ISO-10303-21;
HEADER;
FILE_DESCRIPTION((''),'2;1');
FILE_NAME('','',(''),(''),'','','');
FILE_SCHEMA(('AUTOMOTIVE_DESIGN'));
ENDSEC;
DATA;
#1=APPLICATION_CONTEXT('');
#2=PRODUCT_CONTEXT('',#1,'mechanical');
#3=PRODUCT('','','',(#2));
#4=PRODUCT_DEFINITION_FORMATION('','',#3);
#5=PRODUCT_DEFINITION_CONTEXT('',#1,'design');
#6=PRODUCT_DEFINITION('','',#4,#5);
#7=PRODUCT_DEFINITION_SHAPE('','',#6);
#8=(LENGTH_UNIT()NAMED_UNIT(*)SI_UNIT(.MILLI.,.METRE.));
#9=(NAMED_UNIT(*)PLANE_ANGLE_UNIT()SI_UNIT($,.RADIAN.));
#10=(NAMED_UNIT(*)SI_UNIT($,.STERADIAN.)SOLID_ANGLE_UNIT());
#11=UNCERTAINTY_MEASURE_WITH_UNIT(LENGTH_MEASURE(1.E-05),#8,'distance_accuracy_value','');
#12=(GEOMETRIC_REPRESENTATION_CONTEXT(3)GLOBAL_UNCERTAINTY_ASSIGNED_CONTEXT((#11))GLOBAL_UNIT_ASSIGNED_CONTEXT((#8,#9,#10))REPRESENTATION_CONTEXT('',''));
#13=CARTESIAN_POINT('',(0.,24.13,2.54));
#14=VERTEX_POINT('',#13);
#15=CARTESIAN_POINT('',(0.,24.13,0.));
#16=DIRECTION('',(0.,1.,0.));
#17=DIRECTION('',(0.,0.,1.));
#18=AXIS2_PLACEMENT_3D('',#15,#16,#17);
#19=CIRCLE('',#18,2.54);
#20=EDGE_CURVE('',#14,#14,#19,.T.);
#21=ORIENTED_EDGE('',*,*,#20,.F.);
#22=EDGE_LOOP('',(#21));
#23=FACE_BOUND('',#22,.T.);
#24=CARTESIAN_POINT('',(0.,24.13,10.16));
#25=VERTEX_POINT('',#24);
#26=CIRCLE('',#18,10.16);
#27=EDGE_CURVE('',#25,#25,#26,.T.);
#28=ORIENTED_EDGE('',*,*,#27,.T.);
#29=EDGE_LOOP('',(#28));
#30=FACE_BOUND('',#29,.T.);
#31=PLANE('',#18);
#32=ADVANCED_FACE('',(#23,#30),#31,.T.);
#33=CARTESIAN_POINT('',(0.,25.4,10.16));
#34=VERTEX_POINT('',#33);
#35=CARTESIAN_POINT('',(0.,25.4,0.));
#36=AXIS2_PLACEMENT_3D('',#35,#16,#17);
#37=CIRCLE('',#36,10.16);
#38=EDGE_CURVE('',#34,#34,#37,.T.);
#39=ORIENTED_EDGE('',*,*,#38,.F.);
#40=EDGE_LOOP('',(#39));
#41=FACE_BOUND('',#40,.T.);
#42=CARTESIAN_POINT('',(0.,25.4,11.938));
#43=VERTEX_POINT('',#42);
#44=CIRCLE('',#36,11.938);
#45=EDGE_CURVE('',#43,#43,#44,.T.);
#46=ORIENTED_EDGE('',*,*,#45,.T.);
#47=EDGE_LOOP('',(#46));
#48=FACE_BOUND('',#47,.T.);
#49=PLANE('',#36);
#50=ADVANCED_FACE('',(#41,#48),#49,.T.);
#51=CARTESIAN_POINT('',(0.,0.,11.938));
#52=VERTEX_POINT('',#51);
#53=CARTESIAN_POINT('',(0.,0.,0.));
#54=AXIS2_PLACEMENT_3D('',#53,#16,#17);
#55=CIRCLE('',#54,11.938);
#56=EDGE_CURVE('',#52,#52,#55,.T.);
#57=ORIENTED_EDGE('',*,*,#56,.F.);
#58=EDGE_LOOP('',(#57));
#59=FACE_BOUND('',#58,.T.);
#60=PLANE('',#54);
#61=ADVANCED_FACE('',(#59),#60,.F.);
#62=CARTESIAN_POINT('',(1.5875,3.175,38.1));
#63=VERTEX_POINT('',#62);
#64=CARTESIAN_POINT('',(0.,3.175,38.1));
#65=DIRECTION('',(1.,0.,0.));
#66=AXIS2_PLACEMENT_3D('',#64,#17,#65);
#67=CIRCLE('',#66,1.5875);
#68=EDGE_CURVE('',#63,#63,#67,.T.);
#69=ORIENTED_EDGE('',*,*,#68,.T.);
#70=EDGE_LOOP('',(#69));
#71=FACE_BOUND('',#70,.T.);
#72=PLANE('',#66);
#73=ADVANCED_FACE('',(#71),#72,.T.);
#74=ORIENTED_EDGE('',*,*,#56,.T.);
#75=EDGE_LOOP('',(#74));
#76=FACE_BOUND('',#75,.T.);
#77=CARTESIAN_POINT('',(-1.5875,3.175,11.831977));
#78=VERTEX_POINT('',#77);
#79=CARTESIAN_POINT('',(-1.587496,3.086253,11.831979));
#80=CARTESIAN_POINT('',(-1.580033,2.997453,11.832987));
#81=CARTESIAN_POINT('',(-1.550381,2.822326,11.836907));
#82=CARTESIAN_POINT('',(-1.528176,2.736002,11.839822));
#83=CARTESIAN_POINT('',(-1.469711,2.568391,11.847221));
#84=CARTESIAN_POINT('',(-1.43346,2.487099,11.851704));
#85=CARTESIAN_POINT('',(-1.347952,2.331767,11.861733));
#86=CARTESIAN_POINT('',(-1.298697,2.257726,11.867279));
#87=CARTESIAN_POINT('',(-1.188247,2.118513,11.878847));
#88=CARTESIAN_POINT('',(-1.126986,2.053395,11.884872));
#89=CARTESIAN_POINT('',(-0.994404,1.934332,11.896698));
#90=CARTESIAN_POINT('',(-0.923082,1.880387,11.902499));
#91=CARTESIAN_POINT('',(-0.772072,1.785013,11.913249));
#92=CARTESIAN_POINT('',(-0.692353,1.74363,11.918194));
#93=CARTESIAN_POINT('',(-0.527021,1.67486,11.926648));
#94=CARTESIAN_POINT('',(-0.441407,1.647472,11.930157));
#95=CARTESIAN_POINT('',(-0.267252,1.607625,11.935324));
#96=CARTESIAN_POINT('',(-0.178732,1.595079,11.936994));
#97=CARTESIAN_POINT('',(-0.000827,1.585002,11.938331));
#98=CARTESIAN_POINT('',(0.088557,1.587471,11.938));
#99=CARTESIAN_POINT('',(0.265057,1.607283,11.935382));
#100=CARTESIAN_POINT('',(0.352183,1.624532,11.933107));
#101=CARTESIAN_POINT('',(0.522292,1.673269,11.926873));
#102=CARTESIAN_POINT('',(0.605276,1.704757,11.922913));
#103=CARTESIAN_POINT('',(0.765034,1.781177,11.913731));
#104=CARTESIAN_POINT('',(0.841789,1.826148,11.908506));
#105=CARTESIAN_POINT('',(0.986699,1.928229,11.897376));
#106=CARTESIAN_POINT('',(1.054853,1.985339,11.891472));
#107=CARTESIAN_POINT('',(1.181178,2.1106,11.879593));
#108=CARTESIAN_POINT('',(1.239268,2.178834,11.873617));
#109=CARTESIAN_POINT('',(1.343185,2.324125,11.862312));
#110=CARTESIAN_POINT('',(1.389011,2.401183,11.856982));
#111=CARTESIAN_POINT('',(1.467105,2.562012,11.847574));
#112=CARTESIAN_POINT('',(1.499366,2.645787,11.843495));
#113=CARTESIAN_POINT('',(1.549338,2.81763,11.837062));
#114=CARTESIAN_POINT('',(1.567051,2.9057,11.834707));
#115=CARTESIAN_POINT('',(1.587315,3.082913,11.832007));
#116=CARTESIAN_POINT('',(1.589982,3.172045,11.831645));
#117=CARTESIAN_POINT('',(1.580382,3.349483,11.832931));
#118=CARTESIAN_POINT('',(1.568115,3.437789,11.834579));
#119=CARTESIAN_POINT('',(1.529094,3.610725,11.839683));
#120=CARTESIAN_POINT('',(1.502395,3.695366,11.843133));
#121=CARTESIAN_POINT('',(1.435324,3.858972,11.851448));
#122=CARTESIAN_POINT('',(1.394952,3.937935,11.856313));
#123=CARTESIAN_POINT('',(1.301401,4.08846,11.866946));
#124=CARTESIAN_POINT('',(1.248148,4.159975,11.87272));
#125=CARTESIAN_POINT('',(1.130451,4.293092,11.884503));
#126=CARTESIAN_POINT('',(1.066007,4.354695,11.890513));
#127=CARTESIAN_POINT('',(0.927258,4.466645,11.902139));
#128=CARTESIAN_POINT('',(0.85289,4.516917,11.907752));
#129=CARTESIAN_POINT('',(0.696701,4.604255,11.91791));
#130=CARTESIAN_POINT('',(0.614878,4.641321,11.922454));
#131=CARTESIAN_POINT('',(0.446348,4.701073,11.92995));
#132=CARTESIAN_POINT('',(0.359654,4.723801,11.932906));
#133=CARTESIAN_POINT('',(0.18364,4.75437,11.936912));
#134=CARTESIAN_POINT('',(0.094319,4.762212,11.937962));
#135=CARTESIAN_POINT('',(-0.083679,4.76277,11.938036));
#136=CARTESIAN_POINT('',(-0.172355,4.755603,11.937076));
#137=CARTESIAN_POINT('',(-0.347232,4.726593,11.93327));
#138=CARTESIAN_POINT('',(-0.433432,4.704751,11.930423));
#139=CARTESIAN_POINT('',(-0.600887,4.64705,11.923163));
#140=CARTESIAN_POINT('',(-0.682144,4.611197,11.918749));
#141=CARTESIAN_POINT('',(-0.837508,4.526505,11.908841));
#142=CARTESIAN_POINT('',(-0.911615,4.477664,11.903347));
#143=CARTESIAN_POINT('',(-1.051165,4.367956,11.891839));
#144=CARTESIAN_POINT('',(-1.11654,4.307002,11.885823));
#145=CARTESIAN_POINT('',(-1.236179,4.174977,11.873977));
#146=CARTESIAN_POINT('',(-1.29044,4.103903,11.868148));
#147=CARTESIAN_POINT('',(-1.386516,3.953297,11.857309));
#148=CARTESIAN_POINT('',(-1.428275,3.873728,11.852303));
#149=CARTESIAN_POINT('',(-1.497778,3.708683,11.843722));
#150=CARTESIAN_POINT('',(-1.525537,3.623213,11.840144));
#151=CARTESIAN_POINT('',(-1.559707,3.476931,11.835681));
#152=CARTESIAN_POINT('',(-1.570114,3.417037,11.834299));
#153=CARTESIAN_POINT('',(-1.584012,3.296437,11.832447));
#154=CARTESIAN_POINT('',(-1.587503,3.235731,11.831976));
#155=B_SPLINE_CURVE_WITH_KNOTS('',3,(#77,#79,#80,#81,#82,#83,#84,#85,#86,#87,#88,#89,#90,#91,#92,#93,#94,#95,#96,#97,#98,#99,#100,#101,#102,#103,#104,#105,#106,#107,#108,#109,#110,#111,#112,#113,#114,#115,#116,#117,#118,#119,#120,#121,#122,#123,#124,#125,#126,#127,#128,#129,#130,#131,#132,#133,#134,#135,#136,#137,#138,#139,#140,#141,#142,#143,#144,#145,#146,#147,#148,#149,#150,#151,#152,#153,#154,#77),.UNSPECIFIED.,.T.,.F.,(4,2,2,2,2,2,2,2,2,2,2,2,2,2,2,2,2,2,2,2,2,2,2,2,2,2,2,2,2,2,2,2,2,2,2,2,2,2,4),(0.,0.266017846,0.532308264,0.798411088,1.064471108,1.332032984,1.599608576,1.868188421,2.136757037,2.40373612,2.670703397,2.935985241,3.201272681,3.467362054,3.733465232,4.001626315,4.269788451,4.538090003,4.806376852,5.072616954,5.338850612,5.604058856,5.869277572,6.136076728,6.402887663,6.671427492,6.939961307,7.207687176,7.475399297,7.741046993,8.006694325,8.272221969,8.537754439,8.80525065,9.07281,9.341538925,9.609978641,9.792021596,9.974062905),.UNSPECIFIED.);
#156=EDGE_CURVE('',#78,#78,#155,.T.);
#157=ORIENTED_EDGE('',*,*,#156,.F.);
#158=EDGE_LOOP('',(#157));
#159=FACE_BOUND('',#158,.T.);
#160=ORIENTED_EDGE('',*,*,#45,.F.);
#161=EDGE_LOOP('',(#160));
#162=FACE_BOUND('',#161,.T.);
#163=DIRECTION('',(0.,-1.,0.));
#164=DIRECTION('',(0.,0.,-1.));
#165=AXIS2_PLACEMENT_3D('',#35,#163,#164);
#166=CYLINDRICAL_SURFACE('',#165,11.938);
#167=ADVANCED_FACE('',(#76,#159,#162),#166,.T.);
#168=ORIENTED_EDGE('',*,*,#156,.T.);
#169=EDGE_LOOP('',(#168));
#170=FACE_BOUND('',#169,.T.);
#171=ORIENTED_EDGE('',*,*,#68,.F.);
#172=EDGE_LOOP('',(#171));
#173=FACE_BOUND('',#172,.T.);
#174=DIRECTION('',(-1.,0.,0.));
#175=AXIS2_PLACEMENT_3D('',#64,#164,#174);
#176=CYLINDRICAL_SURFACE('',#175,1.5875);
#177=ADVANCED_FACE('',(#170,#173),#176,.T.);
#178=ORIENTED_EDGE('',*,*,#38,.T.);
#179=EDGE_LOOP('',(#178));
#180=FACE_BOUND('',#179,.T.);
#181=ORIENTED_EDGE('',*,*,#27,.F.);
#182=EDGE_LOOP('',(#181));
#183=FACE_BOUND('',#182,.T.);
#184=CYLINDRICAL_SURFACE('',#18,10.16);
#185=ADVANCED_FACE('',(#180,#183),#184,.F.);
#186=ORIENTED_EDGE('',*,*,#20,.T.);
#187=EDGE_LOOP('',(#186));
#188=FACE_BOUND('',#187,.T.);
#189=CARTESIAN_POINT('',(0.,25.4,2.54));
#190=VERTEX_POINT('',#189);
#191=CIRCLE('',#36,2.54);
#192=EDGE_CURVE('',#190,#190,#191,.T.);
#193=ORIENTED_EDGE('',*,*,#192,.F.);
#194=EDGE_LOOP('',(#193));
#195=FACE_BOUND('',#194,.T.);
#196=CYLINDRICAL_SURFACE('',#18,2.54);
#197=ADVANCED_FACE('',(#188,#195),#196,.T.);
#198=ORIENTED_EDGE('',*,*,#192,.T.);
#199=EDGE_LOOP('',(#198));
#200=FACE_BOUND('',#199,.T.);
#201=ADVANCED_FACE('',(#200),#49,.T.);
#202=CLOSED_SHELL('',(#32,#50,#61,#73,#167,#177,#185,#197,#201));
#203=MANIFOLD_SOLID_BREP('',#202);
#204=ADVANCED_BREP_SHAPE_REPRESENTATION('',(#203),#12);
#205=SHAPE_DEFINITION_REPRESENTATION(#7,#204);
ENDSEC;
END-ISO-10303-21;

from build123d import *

# Parameters (mm, degrees)
SKETCH1_R           = 11.938
BOSS_EXTRUDE1_DEPTH = 25.4
SKETCH2_R           = 10.16
SKETCH2_R_2         = 2.54
CUT_EXTRUDE1_DEPTH  = 1.27
SKETCH3_R           = 1.5875
BOSS_EXTRUDE2_DEPTH = 38.1


with BuildPart() as part:
    # Sketch1 → Boss-Extrude1 (new body)
    with BuildSketch(Plane(origin=(0, 0, 0), x_dir=(1, 0, 0), z_dir=(0, 1, 0))):
        Circle(SKETCH1_R)
    extrude(amount=BOSS_EXTRUDE1_DEPTH)

    # Sketch2 → Cut-Extrude1 (cut)
    with BuildSketch(Plane(origin=(0, 25.4, 0), x_dir=(1, 0, 0), z_dir=(0, 1, 0))):
        Circle(SKETCH2_R)
        Circle(SKETCH2_R_2, mode=Mode.SUBTRACT)
    extrude(amount=-CUT_EXTRUDE1_DEPTH, mode=Mode.SUBTRACT)

    # Sketch3 → Boss-Extrude2 (add)
    with BuildSketch(Plane.XY):
        with Locations((0, 3.175)):
            Circle(SKETCH3_R)
    extrude(amount=BOSS_EXTRUDE2_DEPTH)


solid = part.part
